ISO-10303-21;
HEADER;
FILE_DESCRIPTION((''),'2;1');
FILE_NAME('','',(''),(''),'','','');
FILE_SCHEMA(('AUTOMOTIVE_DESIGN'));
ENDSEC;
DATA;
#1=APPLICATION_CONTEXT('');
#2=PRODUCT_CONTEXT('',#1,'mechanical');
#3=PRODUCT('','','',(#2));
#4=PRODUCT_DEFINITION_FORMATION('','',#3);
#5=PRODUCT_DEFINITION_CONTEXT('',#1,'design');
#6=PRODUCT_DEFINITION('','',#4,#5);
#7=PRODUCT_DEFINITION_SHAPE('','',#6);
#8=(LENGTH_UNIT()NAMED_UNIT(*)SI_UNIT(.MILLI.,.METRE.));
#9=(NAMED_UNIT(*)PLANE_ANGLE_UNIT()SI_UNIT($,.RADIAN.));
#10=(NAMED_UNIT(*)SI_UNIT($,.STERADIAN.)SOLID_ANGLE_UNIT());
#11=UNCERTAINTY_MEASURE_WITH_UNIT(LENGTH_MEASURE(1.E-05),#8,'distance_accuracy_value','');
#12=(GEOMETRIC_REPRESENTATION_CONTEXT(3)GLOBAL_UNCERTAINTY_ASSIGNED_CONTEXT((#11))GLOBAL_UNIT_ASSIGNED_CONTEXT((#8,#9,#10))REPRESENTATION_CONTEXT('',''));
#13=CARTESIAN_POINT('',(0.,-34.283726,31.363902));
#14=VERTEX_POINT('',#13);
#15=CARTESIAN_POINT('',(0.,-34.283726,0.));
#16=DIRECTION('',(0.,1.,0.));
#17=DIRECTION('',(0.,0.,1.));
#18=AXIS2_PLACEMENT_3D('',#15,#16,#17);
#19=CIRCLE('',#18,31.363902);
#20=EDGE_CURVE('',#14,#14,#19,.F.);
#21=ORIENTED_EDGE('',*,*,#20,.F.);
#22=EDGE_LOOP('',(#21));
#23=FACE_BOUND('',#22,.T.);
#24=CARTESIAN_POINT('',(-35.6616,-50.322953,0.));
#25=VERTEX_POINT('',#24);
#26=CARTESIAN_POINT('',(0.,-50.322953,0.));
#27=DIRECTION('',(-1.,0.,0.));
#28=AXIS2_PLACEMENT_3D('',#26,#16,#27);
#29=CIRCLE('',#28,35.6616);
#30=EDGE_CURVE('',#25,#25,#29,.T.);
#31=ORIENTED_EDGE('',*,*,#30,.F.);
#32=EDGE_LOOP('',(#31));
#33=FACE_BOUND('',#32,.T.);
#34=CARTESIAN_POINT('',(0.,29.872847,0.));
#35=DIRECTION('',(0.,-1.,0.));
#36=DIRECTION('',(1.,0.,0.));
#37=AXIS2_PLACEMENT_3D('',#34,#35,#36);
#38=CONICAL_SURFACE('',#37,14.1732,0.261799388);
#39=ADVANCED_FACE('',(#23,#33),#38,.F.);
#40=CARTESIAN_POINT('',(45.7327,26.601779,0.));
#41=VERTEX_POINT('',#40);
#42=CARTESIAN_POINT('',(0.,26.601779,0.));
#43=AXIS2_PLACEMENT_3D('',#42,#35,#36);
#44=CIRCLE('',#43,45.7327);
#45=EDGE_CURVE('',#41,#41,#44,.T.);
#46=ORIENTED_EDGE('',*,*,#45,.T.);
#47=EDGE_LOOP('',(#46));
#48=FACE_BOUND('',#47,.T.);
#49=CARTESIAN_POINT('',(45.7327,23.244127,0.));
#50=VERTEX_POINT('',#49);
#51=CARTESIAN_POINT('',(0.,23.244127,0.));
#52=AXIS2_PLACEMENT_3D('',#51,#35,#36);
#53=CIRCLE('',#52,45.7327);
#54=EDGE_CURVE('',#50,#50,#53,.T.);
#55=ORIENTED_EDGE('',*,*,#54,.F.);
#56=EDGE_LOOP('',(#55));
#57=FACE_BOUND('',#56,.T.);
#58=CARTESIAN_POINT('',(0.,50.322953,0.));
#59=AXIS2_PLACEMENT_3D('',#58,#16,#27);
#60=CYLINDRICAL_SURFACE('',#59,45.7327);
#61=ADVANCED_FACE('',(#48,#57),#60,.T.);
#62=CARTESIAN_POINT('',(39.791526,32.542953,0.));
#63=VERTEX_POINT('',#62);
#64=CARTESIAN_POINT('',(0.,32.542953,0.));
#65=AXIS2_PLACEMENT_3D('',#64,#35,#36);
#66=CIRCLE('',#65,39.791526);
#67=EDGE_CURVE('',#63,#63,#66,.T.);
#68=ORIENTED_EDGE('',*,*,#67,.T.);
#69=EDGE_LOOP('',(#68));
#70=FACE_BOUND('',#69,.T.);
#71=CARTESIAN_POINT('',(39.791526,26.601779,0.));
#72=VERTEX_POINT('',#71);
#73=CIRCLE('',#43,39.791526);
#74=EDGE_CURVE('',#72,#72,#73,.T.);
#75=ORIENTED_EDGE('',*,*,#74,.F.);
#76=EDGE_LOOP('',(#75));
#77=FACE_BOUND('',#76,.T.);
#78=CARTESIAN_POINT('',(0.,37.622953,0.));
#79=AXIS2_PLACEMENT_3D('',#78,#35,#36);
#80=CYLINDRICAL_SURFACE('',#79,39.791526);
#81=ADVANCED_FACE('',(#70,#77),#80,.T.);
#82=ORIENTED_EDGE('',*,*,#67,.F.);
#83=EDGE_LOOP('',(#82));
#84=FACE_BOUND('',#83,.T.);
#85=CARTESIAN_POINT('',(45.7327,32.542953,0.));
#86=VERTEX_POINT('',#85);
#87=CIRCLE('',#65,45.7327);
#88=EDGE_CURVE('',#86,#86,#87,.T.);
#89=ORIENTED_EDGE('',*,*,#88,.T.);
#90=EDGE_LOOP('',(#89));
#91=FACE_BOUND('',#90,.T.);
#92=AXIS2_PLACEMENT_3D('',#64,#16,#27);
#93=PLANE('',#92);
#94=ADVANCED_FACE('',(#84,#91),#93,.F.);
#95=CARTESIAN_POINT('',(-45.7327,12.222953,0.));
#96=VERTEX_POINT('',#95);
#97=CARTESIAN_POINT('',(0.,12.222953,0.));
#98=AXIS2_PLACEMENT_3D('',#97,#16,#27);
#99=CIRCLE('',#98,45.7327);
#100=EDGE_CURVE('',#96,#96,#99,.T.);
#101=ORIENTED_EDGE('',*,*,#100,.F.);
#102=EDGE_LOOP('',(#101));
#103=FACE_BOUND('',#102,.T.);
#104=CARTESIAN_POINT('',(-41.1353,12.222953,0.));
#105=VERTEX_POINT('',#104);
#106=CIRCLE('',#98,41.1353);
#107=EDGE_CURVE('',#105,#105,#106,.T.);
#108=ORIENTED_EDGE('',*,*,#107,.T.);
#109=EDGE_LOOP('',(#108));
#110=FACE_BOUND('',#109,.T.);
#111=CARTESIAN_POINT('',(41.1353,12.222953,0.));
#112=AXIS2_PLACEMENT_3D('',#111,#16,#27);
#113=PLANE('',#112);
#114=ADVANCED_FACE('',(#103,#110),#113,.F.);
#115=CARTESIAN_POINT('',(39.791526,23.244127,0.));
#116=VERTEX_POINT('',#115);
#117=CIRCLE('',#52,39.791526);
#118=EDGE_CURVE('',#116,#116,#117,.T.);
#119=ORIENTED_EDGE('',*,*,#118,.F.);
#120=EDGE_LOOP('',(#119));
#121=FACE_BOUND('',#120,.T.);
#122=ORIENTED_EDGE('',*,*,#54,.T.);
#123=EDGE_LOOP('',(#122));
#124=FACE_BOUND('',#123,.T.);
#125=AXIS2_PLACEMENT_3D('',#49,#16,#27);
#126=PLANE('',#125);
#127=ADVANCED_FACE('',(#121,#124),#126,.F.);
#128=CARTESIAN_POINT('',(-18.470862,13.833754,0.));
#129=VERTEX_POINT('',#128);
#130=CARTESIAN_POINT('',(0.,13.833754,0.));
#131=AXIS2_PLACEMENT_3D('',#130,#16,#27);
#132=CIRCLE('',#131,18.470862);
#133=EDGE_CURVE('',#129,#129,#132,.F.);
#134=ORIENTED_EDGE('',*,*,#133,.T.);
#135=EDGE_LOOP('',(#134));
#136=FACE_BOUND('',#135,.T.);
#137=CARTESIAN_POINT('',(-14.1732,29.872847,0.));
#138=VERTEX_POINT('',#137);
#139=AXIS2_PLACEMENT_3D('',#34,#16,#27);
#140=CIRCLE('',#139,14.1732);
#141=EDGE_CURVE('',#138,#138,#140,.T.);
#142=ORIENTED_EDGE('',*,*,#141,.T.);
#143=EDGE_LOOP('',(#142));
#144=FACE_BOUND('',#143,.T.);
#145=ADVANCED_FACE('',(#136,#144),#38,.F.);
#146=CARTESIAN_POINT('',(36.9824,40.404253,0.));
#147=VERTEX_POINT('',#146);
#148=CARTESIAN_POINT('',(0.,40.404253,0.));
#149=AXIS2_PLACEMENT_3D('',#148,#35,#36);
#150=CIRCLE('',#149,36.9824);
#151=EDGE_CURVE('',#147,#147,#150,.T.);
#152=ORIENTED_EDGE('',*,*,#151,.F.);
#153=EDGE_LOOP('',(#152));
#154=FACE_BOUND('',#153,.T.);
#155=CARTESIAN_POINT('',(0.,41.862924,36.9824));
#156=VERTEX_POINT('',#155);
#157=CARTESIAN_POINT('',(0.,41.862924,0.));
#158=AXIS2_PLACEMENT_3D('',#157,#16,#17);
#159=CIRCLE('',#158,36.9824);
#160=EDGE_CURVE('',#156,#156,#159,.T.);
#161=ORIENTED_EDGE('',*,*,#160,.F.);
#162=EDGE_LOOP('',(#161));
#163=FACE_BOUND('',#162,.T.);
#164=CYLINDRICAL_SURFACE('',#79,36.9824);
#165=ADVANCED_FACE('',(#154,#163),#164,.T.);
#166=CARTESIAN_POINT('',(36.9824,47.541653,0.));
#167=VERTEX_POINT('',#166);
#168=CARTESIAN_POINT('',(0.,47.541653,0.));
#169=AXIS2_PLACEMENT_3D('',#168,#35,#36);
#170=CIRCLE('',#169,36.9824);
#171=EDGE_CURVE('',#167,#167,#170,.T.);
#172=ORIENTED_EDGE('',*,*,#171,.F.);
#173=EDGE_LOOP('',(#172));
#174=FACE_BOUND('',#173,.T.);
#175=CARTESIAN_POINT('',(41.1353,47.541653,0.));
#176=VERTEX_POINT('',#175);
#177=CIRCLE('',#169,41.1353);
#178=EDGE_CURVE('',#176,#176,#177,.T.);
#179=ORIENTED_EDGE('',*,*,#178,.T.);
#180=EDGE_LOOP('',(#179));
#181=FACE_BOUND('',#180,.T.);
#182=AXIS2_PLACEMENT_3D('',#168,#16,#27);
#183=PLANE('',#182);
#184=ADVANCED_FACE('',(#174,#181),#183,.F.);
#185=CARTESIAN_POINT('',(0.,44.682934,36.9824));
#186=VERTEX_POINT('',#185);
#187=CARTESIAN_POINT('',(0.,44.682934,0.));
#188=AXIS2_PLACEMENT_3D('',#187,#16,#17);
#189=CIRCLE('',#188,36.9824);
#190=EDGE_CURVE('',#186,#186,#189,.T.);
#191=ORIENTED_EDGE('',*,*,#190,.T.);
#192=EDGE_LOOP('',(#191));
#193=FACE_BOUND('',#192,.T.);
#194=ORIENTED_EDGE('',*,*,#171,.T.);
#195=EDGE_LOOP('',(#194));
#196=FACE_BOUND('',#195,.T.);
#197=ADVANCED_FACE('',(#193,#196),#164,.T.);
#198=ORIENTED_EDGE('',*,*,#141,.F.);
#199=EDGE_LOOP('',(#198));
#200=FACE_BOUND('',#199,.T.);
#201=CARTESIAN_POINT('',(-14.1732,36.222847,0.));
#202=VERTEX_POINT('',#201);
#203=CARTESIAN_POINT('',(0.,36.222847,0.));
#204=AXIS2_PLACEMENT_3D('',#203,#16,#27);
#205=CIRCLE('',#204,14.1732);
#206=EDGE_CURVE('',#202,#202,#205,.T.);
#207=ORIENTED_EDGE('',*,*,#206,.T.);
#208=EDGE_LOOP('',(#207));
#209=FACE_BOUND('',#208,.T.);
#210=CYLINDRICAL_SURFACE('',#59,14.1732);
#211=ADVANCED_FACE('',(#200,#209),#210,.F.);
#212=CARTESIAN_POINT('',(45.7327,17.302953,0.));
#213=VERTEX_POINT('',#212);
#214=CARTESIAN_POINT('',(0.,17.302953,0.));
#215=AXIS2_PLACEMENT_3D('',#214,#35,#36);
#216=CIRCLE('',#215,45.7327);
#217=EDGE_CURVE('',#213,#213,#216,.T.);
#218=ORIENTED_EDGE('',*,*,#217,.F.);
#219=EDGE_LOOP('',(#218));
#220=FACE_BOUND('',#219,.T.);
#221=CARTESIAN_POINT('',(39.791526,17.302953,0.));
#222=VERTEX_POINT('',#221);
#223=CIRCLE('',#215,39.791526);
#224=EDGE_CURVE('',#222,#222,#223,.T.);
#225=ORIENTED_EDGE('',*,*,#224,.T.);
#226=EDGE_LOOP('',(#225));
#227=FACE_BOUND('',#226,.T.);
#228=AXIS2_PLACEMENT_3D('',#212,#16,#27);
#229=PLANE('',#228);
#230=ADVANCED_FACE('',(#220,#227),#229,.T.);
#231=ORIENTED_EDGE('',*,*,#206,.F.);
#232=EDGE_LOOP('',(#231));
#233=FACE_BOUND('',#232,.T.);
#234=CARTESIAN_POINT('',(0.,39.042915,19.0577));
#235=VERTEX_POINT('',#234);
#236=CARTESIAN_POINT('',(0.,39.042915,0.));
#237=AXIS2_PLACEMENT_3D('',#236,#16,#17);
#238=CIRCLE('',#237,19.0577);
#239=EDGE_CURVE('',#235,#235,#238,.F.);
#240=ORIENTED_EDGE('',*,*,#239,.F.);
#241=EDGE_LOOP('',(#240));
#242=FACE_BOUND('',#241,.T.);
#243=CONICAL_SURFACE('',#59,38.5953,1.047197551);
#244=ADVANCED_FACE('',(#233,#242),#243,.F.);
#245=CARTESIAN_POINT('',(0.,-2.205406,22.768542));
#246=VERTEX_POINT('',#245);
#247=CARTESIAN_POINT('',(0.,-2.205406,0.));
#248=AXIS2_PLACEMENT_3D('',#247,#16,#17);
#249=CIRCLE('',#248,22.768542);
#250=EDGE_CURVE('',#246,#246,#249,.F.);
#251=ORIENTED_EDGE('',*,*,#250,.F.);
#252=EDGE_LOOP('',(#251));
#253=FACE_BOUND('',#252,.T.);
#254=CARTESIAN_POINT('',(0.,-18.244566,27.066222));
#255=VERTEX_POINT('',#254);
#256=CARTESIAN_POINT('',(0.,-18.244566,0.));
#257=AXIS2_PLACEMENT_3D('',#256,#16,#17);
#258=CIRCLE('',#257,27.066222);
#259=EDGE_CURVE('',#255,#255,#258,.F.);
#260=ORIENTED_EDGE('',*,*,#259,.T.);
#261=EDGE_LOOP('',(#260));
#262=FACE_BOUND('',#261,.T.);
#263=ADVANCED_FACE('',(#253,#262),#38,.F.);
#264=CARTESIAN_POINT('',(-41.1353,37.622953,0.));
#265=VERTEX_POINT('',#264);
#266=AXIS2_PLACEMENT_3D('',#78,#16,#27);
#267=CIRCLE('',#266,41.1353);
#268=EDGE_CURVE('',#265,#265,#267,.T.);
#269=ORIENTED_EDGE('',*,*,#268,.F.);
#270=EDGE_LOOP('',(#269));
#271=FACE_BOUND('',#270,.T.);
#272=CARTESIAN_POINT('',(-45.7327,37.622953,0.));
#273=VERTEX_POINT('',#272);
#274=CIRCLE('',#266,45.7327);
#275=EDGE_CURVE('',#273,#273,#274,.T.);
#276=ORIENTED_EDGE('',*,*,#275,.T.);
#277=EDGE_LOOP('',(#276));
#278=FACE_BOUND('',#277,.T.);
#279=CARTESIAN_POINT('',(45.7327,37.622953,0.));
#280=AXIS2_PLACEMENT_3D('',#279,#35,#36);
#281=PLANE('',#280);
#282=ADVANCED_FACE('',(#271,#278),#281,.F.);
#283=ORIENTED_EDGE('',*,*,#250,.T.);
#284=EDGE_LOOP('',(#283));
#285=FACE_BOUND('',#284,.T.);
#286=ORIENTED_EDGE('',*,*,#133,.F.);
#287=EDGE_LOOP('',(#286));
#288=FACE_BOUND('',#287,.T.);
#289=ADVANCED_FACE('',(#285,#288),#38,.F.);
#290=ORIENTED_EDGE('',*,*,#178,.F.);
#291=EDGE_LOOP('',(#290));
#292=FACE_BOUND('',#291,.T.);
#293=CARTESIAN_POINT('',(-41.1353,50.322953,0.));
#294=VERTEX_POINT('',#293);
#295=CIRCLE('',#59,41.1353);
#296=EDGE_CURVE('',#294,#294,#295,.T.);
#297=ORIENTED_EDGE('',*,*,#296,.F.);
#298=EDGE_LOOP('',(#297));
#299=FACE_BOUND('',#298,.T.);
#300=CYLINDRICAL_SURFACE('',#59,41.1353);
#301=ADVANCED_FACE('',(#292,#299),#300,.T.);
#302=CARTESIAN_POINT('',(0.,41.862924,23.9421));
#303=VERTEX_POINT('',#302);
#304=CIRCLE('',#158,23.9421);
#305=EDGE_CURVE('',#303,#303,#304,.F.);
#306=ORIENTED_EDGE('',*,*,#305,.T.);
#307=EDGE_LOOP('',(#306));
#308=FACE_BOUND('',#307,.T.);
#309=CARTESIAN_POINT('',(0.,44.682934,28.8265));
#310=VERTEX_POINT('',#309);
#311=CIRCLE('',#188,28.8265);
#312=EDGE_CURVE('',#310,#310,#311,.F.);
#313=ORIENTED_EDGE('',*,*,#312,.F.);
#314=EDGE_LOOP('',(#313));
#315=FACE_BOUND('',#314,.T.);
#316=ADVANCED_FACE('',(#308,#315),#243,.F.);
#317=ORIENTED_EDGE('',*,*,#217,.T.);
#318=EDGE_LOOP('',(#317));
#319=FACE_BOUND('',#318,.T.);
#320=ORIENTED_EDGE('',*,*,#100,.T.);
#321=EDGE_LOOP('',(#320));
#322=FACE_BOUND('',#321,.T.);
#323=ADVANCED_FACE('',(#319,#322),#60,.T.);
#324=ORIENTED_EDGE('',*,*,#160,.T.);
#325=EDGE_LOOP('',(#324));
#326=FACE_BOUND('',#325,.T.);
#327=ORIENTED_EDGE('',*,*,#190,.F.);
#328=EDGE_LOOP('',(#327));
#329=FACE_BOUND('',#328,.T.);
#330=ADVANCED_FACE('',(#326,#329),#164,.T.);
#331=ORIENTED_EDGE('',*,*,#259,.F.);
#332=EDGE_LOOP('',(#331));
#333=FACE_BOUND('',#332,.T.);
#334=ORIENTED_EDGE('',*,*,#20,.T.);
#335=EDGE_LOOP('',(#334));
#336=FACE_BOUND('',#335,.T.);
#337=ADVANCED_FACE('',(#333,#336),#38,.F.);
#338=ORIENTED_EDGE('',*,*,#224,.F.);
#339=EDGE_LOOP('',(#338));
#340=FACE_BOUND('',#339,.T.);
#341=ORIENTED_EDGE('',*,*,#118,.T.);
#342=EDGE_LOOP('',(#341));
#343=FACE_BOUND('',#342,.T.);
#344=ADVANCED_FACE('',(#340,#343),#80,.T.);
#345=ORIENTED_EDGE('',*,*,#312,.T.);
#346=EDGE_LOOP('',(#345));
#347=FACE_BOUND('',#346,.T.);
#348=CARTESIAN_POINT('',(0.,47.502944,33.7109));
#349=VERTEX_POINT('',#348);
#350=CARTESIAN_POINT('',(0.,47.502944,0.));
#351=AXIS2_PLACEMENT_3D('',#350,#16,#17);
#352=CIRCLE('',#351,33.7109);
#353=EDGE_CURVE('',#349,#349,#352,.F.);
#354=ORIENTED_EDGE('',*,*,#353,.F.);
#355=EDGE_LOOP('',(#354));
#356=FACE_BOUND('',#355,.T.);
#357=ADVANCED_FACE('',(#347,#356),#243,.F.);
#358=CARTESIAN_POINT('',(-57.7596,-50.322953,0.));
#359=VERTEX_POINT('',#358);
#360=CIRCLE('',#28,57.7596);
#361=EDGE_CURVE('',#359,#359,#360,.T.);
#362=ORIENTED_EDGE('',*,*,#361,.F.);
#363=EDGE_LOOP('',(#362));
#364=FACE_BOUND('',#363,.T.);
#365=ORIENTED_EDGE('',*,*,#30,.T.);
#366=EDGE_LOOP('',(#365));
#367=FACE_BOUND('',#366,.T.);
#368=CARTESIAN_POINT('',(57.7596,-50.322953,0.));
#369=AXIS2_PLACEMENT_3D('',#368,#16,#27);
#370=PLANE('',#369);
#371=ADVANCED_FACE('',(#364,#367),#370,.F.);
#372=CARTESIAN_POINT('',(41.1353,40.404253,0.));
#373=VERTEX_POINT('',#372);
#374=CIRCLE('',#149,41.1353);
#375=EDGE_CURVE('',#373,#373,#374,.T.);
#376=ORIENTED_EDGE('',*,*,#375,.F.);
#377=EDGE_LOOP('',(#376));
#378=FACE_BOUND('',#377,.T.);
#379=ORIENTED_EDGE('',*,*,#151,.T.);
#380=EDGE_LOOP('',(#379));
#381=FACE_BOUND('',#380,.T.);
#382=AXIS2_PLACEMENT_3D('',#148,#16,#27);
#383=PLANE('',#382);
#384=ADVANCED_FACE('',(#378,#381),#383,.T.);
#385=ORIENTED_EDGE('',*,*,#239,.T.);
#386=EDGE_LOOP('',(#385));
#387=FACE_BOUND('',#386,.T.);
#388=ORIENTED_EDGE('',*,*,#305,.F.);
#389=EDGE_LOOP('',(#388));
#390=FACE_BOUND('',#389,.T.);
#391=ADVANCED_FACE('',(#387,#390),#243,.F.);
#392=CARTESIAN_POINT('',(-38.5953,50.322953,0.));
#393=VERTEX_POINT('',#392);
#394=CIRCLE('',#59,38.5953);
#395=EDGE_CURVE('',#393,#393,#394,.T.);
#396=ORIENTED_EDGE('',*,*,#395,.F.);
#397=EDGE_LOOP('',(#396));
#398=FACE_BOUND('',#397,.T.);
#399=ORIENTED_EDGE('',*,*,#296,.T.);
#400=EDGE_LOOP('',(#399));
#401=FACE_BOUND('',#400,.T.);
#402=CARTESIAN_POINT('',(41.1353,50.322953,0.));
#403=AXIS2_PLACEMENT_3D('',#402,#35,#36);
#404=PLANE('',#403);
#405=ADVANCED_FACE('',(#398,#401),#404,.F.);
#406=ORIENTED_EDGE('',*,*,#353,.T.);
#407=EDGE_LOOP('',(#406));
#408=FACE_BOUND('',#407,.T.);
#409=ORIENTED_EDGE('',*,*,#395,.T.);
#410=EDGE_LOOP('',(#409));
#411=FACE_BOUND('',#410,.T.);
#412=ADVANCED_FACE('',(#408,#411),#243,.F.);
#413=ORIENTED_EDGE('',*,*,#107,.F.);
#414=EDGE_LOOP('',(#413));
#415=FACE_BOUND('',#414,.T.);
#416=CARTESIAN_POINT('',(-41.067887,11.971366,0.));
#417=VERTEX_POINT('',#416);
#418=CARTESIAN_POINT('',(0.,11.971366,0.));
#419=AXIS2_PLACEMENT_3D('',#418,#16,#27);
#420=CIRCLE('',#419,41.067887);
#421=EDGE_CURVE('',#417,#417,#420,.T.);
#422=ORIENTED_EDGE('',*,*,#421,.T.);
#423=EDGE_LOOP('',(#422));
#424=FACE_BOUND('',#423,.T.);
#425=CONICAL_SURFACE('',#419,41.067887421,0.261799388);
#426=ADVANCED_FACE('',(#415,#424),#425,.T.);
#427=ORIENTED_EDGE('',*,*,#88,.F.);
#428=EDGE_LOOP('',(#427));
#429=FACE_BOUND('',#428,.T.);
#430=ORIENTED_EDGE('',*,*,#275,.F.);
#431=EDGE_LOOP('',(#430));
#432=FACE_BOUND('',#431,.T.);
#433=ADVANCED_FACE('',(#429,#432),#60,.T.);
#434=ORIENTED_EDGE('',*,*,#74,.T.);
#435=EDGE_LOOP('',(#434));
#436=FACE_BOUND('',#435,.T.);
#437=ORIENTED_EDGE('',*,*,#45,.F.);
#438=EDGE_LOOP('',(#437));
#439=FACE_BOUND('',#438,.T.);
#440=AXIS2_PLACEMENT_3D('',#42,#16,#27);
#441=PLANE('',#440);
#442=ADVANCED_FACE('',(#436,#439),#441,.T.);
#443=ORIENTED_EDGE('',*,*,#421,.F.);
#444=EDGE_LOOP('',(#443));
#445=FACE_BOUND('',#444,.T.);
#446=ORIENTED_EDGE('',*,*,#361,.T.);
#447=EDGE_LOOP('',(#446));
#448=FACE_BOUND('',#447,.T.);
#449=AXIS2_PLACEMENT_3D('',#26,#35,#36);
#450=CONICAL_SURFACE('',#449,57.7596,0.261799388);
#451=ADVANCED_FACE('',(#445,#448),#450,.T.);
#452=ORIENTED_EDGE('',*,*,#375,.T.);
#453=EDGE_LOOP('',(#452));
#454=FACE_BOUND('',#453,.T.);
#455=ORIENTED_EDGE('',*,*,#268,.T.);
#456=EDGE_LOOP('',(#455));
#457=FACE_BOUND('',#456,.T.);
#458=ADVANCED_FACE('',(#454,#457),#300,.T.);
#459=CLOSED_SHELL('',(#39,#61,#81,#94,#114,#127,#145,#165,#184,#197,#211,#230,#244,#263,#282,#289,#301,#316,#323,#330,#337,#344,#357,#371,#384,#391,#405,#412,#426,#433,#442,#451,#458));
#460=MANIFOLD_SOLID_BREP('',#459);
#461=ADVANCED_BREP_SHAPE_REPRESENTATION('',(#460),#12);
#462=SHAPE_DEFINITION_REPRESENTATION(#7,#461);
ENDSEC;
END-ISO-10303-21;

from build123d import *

# Parameters (mm, degrees)
SKETCH2_W   = 4.1529
SKETCH2_H   = 7.1374
SKETCH2_W_2 = 5.941173797
SKETCH2_H_2 = 5.941173796
SKETCH2_H_3 = 5.941173797


with BuildPart() as part:
    # Sketch1 → Revolve1 (revolve)
    with BuildSketch(Plane.XY, mode=Mode.PRIVATE) as revolve1_sk:
        Polygon((41.1353, 50.322953291), (38.5953, 50.322953291), (14.1732, 36.222847282), (14.1732, 29.872847282), (35.6616, -50.322953291), (57.7596, -50.322953291), (41.067887421, 11.97136612), (41.1353, 12.222953291), (45.7327, 12.222953291), (45.7327, 37.622953291), (41.1353, 37.622953291), align=None)
    revolve(revolve1_sk.sketch.rotate(Axis((0, 50.322953291, 0), (0, -1, 0)), 180), axis=Axis((0, 50.322953291, 0), (0, -1, 0)))

    # Sketch2 → Cut-Revolve1 (revolve, cut)
    with BuildSketch(Plane.XY, mode=Mode.PRIVATE) as cut_revolve1_sk:
        with Locations((39.05885, 43.972953291)):
            Rectangle(SKETCH2_W, SKETCH2_H)
        with Locations((42.762113102, 29.572366393)):
            Rectangle(SKETCH2_W_2, SKETCH2_H_2)
        with Locations((42.762113102, 20.27354019)):
            Rectangle(SKETCH2_W_2, SKETCH2_H_3)
    revolve(cut_revolve1_sk.sketch.rotate(Axis((0, 50.322953291, 0), (0, 1, 0)), 180), axis=Axis((0, 50.322953291, 0), (0, 1, 0)), mode=Mode.SUBTRACT)


solid = part.part
